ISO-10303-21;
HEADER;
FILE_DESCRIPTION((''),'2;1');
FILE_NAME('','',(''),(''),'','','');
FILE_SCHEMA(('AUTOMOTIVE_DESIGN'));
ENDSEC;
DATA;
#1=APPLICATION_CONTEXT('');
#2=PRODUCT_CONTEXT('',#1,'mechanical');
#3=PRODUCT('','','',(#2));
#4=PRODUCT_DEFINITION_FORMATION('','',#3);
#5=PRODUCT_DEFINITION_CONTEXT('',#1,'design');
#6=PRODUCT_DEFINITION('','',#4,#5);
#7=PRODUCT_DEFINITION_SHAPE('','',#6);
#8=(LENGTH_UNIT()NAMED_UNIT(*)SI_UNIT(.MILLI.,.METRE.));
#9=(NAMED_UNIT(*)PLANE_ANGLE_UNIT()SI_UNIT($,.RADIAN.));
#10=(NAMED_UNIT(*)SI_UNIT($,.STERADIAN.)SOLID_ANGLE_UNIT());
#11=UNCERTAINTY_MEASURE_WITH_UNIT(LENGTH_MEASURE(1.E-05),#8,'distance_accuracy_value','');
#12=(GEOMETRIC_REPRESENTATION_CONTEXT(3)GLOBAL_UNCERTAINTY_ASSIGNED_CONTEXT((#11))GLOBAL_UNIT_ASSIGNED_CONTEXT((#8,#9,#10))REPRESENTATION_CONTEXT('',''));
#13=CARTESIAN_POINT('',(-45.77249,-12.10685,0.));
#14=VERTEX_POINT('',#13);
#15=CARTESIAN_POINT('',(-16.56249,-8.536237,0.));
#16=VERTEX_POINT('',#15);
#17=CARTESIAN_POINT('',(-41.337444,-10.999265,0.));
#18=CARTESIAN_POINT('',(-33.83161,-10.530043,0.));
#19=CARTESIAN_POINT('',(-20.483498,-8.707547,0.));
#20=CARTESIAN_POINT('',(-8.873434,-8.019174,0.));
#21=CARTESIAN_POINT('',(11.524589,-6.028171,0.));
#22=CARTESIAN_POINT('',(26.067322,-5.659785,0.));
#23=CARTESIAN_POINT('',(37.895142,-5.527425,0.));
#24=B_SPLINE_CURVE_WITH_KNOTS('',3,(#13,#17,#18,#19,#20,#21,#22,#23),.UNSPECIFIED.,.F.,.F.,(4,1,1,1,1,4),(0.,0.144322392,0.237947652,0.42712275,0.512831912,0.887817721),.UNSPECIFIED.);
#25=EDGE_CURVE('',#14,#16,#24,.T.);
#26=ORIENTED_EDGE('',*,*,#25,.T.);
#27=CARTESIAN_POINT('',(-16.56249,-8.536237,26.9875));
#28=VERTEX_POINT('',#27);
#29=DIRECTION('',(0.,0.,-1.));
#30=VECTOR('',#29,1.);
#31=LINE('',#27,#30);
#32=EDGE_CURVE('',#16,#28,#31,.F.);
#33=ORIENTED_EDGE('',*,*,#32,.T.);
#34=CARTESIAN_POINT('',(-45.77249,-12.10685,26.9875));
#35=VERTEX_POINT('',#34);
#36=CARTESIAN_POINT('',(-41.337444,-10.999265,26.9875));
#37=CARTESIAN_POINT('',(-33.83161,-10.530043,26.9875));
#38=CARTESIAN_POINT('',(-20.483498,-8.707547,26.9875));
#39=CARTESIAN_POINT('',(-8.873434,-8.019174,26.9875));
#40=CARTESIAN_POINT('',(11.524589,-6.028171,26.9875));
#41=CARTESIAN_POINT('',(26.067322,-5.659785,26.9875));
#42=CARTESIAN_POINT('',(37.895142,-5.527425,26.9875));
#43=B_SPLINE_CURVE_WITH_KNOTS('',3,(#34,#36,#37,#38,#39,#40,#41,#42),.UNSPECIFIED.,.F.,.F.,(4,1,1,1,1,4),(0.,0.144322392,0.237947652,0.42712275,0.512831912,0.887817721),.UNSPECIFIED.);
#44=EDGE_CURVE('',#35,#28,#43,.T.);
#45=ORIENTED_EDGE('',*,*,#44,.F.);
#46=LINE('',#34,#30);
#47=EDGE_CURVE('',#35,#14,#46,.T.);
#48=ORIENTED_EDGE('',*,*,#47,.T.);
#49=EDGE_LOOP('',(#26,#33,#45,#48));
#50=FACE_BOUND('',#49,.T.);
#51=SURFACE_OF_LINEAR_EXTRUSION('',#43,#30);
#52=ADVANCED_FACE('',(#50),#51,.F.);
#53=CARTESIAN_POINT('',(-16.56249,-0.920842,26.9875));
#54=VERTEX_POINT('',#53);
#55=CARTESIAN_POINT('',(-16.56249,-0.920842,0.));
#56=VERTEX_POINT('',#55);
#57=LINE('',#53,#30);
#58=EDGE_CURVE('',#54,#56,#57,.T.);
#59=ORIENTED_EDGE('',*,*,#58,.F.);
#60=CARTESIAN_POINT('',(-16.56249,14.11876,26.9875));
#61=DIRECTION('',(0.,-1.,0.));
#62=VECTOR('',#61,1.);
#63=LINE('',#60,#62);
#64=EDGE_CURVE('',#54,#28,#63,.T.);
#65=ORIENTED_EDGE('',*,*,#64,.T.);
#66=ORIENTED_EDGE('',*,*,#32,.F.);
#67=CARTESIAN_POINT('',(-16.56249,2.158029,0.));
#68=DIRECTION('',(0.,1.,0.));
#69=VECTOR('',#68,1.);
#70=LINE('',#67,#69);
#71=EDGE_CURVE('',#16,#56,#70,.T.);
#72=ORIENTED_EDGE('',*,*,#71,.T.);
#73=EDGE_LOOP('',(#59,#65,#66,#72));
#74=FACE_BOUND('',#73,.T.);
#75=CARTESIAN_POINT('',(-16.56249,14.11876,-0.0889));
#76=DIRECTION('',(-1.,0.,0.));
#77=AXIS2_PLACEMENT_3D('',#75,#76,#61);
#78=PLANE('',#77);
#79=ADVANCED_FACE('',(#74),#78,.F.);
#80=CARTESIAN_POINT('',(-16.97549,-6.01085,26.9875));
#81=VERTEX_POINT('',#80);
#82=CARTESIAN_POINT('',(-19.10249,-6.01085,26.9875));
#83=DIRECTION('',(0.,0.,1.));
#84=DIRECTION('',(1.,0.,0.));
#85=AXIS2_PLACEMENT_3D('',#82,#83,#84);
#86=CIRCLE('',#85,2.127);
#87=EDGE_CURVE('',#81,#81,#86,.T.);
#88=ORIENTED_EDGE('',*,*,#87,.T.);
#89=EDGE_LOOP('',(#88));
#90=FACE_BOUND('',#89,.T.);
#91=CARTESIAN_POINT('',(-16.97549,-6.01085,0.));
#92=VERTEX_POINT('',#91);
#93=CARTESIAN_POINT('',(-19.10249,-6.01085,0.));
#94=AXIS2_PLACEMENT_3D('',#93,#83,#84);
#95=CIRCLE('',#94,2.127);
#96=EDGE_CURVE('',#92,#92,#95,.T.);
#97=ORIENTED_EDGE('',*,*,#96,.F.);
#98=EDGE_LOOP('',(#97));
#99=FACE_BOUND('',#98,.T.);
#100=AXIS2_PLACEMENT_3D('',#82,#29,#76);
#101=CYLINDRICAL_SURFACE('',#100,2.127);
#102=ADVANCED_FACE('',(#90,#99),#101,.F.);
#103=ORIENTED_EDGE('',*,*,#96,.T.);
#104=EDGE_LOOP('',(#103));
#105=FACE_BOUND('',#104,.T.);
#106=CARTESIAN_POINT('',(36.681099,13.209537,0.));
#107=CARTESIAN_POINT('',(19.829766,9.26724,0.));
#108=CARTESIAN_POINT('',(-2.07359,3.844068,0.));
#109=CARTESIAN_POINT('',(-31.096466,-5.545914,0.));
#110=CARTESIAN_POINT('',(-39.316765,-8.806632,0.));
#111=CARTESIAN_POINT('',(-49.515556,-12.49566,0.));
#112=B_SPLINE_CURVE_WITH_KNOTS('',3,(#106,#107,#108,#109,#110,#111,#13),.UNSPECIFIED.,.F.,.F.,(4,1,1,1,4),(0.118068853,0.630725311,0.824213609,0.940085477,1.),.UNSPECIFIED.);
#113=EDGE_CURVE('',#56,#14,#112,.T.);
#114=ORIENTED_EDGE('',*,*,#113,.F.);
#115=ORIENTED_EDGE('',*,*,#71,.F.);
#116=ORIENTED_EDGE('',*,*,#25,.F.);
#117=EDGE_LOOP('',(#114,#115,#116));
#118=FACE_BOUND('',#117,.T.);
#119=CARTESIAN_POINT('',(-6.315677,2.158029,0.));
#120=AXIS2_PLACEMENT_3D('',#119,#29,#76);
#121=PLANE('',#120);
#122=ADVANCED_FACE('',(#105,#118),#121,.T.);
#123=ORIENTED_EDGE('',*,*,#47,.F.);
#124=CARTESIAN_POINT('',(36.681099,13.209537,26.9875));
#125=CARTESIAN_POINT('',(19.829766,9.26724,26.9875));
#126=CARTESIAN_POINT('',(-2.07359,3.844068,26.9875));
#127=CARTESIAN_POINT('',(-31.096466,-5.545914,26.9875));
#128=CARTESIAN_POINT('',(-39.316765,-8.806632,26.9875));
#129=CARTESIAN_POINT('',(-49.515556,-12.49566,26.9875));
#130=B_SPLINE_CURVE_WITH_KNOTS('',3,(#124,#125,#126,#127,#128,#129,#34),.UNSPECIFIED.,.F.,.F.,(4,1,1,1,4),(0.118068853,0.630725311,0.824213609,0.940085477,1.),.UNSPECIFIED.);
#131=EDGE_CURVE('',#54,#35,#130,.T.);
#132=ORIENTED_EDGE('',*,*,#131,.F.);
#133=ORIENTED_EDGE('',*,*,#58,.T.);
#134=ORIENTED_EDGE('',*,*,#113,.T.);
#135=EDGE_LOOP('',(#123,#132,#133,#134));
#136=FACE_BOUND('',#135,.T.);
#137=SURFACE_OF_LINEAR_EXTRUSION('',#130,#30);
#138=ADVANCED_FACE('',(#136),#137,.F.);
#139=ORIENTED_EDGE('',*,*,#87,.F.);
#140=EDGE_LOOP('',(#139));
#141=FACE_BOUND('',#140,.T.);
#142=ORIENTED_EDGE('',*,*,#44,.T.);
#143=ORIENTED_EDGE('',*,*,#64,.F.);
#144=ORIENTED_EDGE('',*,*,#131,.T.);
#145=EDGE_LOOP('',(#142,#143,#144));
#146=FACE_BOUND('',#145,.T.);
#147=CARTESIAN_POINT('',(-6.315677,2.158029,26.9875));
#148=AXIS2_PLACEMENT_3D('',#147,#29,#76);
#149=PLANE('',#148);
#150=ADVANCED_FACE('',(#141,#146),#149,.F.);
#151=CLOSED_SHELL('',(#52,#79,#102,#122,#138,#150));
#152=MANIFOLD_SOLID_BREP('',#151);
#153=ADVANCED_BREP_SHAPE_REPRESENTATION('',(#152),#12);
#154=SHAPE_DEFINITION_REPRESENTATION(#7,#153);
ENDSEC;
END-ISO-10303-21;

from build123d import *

# Parameters (mm, degrees)
SKETCH1_R           = 2.127
SKETCH1_R_2         = 2.032
BOSS_EXTRUDE1_DEPTH = 26.9875
SKETCH2_W           = 104.732489184
SKETCH2_H           = 32.948386637
CUT_EXTRUDE1_DEPTH  = 27.0764


with BuildPart() as part:
    # Sketch1 → Boss-Extrude1 (new body)
    with BuildSketch(Plane.XY):
        with BuildLine():
            Line((42.918297493, -0.447743106), (42.918297493, 8.263094686))
            ThreePointArc((42.918297493, 8.263094686), (40.994864427, 12.243356636), (36.681098599, 13.209536914))
            add(Edge.make_bspline(
                [(36.681098599, 13.209536914), (19.829765645, 9.267240013), (-2.073589943, 3.844068304), (-31.096466219, -5.545914493), (-39.316765165, -8.806631661), (-49.515556323, -12.495660485), (-45.77248955, -12.10685039)],
                knots=[0.118068853, 0.118068853, 0.118068853, 0.118068853, 0.630725311, 0.824213609, 0.940085477, 1, 1, 1, 1], degree=3))
            add(Edge.make_bspline(
                [(-45.77248955, -12.10685039), (-41.337443699, -10.999265489), (-33.831609628, -10.530043097), (-20.483498257, -8.707547198), (-8.873433654, -8.01917435), (11.524588595, -6.028171323), (26.067321973, -5.659784939), (37.895141959, -5.527425055)],
                knots=[0, 0, 0, 0, 0.144322392, 0.237947652, 0.42712275, 0.512831912, 0.887817721, 0.887817721, 0.887817721, 0.887817721], degree=3))
            ThreePointArc((37.895141959, -5.527425055), (41.450441586, -4.019691462), (42.918297493, -0.447743106))
        make_face()
        with Locations((-19.10248955, -6.01085039)):
            Circle(SKETCH1_R, mode=Mode.SUBTRACT)
        with Locations((12.64751045, 4.40314961)):
            Circle(SKETCH1_R, mode=Mode.SUBTRACT)
        with Locations((33.89346968, 3.421717851)):
            Circle(SKETCH1_R_2, mode=Mode.SUBTRACT)
    extrude(amount=BOSS_EXTRUDE1_DEPTH)

    # Sketch2 → Cut-Extrude1 (cut)
    with BuildSketch(Plane.XY.offset(26.9875)):
        with Locations((35.803755042, -2.355433399)):
            Rectangle(SKETCH2_W, SKETCH2_H)
    extrude(amount=-CUT_EXTRUDE1_DEPTH, mode=Mode.SUBTRACT)


solid = part.part
